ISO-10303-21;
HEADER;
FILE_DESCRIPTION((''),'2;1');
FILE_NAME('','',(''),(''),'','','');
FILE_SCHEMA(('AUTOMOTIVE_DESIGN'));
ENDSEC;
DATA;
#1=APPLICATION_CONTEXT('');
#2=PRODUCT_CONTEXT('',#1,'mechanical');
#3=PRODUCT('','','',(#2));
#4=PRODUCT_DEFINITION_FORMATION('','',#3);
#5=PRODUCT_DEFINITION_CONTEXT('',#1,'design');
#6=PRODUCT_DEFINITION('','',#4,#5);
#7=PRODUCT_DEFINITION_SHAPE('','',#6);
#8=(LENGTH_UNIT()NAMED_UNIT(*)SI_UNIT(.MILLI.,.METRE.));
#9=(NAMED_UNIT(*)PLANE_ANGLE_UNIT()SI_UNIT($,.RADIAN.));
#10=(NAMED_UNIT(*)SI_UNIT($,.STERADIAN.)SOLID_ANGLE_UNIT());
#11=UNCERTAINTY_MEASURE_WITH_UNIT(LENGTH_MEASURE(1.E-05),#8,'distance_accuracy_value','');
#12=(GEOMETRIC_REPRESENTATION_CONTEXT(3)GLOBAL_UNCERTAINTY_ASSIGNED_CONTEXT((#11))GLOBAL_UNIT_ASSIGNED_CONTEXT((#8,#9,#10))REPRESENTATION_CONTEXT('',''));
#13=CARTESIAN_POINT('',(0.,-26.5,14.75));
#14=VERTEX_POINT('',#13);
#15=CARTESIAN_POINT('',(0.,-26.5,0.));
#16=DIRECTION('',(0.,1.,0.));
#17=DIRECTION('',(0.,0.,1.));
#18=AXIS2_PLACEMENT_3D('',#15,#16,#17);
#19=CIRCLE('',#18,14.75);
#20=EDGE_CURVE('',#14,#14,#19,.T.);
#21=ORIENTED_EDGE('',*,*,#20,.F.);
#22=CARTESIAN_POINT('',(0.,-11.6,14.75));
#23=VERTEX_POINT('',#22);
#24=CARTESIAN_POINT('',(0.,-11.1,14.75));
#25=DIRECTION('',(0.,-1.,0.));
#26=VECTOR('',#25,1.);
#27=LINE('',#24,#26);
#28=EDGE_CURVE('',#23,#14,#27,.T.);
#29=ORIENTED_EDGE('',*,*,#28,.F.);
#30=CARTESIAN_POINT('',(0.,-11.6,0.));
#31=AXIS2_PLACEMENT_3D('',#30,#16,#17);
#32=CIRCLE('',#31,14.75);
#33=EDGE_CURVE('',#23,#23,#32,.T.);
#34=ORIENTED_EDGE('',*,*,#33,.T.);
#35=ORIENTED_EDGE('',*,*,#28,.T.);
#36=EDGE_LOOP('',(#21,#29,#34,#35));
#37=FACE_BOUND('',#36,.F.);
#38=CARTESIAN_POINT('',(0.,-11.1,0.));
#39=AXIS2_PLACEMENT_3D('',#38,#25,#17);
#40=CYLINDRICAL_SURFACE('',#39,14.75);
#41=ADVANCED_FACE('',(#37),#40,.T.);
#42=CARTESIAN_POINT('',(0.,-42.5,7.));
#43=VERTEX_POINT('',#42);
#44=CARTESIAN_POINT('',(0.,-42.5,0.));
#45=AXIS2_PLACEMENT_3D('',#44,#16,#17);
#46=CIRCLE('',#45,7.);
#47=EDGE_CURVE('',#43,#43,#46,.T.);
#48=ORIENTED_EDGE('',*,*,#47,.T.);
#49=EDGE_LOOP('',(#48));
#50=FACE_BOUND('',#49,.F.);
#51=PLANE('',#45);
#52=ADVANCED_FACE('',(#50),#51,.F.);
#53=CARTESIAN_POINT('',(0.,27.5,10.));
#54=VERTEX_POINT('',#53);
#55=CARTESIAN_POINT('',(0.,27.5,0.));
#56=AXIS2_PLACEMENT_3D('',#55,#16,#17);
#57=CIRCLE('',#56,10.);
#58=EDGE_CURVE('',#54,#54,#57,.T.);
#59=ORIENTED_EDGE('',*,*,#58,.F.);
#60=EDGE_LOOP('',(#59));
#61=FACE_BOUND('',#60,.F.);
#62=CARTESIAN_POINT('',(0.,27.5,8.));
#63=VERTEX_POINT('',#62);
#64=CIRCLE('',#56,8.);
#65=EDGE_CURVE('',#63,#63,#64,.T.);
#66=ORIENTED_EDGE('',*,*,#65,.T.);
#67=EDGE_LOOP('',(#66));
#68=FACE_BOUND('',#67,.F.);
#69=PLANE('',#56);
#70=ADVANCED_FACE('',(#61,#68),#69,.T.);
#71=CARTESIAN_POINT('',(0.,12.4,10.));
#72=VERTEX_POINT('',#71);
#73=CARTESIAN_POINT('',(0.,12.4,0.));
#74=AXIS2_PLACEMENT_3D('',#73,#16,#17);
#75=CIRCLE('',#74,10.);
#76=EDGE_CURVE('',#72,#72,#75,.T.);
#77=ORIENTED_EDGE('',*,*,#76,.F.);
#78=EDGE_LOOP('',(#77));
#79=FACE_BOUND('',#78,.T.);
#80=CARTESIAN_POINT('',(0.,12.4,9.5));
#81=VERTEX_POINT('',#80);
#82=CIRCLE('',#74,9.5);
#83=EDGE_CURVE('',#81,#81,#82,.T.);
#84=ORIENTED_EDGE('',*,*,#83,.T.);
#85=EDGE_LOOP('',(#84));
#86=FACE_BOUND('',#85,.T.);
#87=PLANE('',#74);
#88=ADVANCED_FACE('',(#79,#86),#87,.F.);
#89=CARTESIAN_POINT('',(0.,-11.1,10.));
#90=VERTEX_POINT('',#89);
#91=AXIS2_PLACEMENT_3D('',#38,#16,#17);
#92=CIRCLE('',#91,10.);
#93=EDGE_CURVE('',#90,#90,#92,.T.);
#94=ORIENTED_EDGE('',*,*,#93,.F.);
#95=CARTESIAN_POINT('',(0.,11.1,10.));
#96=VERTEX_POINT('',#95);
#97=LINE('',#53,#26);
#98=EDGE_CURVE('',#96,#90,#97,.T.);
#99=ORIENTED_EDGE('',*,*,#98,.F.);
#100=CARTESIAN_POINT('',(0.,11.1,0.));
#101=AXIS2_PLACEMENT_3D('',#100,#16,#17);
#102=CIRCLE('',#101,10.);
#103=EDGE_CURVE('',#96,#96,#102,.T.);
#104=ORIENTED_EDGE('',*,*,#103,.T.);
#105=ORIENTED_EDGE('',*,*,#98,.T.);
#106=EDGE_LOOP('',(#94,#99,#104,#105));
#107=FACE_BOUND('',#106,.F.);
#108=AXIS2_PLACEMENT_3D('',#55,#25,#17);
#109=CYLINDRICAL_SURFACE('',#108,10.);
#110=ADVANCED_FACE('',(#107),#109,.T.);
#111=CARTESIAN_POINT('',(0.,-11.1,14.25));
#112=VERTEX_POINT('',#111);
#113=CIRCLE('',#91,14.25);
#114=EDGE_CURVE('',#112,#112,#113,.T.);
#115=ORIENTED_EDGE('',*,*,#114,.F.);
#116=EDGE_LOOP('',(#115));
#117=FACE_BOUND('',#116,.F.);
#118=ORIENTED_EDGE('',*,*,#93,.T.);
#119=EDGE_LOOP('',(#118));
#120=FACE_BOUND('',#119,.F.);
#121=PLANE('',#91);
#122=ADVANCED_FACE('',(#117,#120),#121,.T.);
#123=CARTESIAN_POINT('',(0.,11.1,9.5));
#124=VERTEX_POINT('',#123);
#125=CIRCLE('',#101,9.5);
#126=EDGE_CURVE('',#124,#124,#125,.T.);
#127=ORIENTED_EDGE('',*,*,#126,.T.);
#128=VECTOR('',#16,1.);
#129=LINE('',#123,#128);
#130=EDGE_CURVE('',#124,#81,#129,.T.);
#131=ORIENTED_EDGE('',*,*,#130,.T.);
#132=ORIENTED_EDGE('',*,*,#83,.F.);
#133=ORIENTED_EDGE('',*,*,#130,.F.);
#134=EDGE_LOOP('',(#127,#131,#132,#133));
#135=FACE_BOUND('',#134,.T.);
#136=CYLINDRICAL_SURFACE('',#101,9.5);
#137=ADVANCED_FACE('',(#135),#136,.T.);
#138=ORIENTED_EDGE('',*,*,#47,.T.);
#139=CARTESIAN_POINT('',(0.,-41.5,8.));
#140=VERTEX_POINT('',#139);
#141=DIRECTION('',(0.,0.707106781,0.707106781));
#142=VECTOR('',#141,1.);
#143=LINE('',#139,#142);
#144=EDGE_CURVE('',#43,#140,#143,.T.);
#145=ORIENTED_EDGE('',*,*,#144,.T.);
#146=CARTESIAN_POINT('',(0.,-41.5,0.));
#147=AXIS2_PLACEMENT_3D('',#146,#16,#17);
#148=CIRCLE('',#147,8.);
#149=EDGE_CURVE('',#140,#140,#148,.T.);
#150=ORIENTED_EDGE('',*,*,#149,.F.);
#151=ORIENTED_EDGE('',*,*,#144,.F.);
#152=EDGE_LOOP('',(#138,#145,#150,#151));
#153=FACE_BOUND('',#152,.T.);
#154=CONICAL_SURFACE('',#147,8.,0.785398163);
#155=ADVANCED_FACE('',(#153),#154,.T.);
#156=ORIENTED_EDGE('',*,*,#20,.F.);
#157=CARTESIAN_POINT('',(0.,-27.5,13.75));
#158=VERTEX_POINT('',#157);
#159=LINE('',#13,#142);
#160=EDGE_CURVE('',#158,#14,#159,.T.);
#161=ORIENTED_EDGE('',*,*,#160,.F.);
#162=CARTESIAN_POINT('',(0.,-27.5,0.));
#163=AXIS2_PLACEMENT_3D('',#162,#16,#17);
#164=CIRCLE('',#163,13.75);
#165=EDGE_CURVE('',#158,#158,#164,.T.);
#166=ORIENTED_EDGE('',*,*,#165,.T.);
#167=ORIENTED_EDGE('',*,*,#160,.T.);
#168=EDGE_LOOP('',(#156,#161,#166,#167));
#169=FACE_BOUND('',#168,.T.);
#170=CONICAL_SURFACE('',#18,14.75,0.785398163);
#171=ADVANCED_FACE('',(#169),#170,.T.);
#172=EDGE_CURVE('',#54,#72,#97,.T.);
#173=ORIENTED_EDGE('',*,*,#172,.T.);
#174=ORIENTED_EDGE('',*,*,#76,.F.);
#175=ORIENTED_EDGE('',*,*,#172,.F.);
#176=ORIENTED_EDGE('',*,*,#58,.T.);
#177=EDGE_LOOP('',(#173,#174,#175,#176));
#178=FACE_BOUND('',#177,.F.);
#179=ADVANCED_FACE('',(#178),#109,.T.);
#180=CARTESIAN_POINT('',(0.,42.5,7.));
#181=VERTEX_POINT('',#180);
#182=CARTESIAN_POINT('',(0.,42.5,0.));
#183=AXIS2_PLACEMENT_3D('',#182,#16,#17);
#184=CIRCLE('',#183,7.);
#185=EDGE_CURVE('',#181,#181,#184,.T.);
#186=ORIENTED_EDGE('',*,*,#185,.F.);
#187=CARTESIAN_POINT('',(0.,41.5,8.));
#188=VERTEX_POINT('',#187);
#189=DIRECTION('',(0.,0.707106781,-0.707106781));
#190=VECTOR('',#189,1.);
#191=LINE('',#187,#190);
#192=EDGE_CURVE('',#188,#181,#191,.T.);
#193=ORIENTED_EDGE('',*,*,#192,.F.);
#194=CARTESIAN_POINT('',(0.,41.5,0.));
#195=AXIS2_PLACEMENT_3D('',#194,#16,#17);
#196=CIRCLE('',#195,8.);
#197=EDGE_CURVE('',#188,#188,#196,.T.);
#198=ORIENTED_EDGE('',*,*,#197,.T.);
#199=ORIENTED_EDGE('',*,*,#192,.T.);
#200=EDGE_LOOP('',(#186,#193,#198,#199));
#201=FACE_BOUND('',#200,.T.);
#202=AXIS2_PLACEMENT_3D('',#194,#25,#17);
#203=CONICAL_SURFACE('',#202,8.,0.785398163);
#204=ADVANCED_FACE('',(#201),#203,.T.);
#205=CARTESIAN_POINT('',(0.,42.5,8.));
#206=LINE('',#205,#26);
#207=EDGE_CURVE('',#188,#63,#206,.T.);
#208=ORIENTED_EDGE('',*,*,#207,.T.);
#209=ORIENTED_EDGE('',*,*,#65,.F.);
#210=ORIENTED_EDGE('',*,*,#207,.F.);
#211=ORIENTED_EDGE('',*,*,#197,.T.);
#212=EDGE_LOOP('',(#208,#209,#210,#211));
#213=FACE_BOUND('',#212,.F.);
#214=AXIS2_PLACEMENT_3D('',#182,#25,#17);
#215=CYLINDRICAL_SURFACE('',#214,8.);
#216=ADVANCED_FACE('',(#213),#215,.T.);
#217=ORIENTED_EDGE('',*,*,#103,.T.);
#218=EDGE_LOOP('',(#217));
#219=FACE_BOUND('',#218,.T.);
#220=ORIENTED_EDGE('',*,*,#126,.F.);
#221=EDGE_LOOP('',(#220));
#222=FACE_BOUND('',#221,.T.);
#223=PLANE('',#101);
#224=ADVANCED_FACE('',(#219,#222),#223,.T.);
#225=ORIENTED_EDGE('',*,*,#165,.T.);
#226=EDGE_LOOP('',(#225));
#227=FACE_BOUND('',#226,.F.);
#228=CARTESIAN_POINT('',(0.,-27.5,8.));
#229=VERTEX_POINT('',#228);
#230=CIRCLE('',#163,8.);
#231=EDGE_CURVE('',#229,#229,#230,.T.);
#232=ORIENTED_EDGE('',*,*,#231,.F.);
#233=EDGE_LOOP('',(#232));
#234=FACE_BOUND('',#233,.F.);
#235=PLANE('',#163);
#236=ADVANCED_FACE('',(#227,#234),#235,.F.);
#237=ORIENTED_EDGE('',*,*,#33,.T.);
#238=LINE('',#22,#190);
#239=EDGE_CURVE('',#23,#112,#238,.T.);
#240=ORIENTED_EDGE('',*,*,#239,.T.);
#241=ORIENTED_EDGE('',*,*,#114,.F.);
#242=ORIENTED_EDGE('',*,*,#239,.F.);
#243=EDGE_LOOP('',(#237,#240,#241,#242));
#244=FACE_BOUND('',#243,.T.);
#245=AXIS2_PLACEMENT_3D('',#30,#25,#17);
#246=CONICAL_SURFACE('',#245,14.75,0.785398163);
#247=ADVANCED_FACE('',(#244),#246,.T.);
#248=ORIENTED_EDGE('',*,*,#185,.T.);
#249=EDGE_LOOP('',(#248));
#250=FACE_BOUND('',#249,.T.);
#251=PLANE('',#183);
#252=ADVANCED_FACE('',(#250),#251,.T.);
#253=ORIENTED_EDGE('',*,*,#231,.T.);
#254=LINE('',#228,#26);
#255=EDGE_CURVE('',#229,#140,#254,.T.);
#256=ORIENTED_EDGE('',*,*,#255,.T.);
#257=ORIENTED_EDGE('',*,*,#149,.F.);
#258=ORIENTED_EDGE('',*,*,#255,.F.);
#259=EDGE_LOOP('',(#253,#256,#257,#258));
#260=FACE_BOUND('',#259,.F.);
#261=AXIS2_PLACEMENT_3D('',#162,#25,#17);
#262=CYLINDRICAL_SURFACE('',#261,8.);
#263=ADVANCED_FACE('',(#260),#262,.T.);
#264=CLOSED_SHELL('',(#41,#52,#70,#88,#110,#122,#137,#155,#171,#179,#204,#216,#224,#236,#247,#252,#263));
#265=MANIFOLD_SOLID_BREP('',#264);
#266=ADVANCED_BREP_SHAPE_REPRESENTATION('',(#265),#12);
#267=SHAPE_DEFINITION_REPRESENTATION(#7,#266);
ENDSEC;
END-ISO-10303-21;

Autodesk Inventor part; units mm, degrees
ref_plane "YZ Plane" through (0, 0, 0) normal (1, 0, 0) x (0, 1, 0)
ref_plane "XZ Plane" through (0, 0, 0) normal (0, 1, 0) x (-1, 0, 0)
ref_plane "XY Plane" through (0, 0, 0) normal (0, 0, 1) x (1, 0, 0)
sketch "Skizze1" plane through (0, 0, 0) normal (1, 0, 0) x (0, 1, 0)
  line L0 (0, 17.7) -> (0, -2.95) construction
  line L1 (-59.5, 0) -> (59.5, 0) projected
  line L2 (42.5, 8) -> (42.5, 0)
  line L3 (42.5, 8) -> (27.5, 8)
  line L4 (27.5, 8) -> (27.5, 10)
  line L5 (27.5, 10) -> (-11.1, 10)
  line L6 (-11.1, 10) -> (-11.1, 14.75)
  line L7 (-11.1, 14.75) -> (-27.5, 14.75)
  line L8 (-27.5, 14.75) -> (-27.5, 8)
  line L9 (-27.5, 8) -> (-42.5, 8)
  line L10 (-42.5, 8) -> (-42.5, 0)
  line L11 (-11.1, 14.75) -> (11.1, 14.75) construction
  line L12 (11.1, 14.75) -> (11.1, 10) construction
  line L13 (-42.5, 0) -> (42.5, 0)
  point P0 (0, 0)
  dimension "d0" = 16
  dimension "d1" = 15
  dimension "d2" = 22.2
  dimension "d3" = 55
  dimension "d4" = 20
  dimension "d5" = 29.5
revolve "Grundkörper" add sketch "Skizze1" angle 360 about axis through (0, 0, 0) along (0, 1, 0)
sketch "Skizze2" plane through (0, 0, 0) normal (1, 0, 0) x (0, 1, 0)
  line L0 (-9.1, 0) -> (33.6, 0) construction
  line L1 (-11.1, -14.75) -> (-11.1, 14.75) construction
  line L2 (-11.1, 10) -> (27.5, 10) projected
  line L3 (-11.1, 10) -> (-11.1, 14.75)
  line L4 (-11.1, 14.75) -> (11.1, 14.75)
  line L5 (11.1, 14.75) -> (11.1, 10)
  line L6 (11.1, 10) -> (-11.1, 10)
  line L7 (0, 20.65) -> (0, -20.65) construction
  line L8 (11.1, 10) -> (11.1, 9.5)
  line L9 (11.1, 9.5) -> (12.4, 9.5)
  line L10 (12.4, 9.5) -> (12.4, 10)
  line L11 (11.1, 10) -> (12.4, 10)
  point P0 (0, 0)
  dimension "d15" = 1.3
  dimension "d16" = 19
revolve "Nut_Sicherungsring_DIN471-20x1,2" cut sketch "Skizze2" angle 360 about axis through (0, 0, 0) along (0, 1, 0) contours L2 L10 L9 L8
chamfer "FaseAllgemein" distance 1 angle 45 3 edges at (0, -42.5, -8) (0, 42.5, -8) (0, -27.5, -14.75)
chamfer "FaseLager" distance 0.5 angle 45 1 edges at (0, -11.1, -14.75)
properties part number "200-40-BOGIE-CONNECTOR-05" material "Aluminium 6061"
